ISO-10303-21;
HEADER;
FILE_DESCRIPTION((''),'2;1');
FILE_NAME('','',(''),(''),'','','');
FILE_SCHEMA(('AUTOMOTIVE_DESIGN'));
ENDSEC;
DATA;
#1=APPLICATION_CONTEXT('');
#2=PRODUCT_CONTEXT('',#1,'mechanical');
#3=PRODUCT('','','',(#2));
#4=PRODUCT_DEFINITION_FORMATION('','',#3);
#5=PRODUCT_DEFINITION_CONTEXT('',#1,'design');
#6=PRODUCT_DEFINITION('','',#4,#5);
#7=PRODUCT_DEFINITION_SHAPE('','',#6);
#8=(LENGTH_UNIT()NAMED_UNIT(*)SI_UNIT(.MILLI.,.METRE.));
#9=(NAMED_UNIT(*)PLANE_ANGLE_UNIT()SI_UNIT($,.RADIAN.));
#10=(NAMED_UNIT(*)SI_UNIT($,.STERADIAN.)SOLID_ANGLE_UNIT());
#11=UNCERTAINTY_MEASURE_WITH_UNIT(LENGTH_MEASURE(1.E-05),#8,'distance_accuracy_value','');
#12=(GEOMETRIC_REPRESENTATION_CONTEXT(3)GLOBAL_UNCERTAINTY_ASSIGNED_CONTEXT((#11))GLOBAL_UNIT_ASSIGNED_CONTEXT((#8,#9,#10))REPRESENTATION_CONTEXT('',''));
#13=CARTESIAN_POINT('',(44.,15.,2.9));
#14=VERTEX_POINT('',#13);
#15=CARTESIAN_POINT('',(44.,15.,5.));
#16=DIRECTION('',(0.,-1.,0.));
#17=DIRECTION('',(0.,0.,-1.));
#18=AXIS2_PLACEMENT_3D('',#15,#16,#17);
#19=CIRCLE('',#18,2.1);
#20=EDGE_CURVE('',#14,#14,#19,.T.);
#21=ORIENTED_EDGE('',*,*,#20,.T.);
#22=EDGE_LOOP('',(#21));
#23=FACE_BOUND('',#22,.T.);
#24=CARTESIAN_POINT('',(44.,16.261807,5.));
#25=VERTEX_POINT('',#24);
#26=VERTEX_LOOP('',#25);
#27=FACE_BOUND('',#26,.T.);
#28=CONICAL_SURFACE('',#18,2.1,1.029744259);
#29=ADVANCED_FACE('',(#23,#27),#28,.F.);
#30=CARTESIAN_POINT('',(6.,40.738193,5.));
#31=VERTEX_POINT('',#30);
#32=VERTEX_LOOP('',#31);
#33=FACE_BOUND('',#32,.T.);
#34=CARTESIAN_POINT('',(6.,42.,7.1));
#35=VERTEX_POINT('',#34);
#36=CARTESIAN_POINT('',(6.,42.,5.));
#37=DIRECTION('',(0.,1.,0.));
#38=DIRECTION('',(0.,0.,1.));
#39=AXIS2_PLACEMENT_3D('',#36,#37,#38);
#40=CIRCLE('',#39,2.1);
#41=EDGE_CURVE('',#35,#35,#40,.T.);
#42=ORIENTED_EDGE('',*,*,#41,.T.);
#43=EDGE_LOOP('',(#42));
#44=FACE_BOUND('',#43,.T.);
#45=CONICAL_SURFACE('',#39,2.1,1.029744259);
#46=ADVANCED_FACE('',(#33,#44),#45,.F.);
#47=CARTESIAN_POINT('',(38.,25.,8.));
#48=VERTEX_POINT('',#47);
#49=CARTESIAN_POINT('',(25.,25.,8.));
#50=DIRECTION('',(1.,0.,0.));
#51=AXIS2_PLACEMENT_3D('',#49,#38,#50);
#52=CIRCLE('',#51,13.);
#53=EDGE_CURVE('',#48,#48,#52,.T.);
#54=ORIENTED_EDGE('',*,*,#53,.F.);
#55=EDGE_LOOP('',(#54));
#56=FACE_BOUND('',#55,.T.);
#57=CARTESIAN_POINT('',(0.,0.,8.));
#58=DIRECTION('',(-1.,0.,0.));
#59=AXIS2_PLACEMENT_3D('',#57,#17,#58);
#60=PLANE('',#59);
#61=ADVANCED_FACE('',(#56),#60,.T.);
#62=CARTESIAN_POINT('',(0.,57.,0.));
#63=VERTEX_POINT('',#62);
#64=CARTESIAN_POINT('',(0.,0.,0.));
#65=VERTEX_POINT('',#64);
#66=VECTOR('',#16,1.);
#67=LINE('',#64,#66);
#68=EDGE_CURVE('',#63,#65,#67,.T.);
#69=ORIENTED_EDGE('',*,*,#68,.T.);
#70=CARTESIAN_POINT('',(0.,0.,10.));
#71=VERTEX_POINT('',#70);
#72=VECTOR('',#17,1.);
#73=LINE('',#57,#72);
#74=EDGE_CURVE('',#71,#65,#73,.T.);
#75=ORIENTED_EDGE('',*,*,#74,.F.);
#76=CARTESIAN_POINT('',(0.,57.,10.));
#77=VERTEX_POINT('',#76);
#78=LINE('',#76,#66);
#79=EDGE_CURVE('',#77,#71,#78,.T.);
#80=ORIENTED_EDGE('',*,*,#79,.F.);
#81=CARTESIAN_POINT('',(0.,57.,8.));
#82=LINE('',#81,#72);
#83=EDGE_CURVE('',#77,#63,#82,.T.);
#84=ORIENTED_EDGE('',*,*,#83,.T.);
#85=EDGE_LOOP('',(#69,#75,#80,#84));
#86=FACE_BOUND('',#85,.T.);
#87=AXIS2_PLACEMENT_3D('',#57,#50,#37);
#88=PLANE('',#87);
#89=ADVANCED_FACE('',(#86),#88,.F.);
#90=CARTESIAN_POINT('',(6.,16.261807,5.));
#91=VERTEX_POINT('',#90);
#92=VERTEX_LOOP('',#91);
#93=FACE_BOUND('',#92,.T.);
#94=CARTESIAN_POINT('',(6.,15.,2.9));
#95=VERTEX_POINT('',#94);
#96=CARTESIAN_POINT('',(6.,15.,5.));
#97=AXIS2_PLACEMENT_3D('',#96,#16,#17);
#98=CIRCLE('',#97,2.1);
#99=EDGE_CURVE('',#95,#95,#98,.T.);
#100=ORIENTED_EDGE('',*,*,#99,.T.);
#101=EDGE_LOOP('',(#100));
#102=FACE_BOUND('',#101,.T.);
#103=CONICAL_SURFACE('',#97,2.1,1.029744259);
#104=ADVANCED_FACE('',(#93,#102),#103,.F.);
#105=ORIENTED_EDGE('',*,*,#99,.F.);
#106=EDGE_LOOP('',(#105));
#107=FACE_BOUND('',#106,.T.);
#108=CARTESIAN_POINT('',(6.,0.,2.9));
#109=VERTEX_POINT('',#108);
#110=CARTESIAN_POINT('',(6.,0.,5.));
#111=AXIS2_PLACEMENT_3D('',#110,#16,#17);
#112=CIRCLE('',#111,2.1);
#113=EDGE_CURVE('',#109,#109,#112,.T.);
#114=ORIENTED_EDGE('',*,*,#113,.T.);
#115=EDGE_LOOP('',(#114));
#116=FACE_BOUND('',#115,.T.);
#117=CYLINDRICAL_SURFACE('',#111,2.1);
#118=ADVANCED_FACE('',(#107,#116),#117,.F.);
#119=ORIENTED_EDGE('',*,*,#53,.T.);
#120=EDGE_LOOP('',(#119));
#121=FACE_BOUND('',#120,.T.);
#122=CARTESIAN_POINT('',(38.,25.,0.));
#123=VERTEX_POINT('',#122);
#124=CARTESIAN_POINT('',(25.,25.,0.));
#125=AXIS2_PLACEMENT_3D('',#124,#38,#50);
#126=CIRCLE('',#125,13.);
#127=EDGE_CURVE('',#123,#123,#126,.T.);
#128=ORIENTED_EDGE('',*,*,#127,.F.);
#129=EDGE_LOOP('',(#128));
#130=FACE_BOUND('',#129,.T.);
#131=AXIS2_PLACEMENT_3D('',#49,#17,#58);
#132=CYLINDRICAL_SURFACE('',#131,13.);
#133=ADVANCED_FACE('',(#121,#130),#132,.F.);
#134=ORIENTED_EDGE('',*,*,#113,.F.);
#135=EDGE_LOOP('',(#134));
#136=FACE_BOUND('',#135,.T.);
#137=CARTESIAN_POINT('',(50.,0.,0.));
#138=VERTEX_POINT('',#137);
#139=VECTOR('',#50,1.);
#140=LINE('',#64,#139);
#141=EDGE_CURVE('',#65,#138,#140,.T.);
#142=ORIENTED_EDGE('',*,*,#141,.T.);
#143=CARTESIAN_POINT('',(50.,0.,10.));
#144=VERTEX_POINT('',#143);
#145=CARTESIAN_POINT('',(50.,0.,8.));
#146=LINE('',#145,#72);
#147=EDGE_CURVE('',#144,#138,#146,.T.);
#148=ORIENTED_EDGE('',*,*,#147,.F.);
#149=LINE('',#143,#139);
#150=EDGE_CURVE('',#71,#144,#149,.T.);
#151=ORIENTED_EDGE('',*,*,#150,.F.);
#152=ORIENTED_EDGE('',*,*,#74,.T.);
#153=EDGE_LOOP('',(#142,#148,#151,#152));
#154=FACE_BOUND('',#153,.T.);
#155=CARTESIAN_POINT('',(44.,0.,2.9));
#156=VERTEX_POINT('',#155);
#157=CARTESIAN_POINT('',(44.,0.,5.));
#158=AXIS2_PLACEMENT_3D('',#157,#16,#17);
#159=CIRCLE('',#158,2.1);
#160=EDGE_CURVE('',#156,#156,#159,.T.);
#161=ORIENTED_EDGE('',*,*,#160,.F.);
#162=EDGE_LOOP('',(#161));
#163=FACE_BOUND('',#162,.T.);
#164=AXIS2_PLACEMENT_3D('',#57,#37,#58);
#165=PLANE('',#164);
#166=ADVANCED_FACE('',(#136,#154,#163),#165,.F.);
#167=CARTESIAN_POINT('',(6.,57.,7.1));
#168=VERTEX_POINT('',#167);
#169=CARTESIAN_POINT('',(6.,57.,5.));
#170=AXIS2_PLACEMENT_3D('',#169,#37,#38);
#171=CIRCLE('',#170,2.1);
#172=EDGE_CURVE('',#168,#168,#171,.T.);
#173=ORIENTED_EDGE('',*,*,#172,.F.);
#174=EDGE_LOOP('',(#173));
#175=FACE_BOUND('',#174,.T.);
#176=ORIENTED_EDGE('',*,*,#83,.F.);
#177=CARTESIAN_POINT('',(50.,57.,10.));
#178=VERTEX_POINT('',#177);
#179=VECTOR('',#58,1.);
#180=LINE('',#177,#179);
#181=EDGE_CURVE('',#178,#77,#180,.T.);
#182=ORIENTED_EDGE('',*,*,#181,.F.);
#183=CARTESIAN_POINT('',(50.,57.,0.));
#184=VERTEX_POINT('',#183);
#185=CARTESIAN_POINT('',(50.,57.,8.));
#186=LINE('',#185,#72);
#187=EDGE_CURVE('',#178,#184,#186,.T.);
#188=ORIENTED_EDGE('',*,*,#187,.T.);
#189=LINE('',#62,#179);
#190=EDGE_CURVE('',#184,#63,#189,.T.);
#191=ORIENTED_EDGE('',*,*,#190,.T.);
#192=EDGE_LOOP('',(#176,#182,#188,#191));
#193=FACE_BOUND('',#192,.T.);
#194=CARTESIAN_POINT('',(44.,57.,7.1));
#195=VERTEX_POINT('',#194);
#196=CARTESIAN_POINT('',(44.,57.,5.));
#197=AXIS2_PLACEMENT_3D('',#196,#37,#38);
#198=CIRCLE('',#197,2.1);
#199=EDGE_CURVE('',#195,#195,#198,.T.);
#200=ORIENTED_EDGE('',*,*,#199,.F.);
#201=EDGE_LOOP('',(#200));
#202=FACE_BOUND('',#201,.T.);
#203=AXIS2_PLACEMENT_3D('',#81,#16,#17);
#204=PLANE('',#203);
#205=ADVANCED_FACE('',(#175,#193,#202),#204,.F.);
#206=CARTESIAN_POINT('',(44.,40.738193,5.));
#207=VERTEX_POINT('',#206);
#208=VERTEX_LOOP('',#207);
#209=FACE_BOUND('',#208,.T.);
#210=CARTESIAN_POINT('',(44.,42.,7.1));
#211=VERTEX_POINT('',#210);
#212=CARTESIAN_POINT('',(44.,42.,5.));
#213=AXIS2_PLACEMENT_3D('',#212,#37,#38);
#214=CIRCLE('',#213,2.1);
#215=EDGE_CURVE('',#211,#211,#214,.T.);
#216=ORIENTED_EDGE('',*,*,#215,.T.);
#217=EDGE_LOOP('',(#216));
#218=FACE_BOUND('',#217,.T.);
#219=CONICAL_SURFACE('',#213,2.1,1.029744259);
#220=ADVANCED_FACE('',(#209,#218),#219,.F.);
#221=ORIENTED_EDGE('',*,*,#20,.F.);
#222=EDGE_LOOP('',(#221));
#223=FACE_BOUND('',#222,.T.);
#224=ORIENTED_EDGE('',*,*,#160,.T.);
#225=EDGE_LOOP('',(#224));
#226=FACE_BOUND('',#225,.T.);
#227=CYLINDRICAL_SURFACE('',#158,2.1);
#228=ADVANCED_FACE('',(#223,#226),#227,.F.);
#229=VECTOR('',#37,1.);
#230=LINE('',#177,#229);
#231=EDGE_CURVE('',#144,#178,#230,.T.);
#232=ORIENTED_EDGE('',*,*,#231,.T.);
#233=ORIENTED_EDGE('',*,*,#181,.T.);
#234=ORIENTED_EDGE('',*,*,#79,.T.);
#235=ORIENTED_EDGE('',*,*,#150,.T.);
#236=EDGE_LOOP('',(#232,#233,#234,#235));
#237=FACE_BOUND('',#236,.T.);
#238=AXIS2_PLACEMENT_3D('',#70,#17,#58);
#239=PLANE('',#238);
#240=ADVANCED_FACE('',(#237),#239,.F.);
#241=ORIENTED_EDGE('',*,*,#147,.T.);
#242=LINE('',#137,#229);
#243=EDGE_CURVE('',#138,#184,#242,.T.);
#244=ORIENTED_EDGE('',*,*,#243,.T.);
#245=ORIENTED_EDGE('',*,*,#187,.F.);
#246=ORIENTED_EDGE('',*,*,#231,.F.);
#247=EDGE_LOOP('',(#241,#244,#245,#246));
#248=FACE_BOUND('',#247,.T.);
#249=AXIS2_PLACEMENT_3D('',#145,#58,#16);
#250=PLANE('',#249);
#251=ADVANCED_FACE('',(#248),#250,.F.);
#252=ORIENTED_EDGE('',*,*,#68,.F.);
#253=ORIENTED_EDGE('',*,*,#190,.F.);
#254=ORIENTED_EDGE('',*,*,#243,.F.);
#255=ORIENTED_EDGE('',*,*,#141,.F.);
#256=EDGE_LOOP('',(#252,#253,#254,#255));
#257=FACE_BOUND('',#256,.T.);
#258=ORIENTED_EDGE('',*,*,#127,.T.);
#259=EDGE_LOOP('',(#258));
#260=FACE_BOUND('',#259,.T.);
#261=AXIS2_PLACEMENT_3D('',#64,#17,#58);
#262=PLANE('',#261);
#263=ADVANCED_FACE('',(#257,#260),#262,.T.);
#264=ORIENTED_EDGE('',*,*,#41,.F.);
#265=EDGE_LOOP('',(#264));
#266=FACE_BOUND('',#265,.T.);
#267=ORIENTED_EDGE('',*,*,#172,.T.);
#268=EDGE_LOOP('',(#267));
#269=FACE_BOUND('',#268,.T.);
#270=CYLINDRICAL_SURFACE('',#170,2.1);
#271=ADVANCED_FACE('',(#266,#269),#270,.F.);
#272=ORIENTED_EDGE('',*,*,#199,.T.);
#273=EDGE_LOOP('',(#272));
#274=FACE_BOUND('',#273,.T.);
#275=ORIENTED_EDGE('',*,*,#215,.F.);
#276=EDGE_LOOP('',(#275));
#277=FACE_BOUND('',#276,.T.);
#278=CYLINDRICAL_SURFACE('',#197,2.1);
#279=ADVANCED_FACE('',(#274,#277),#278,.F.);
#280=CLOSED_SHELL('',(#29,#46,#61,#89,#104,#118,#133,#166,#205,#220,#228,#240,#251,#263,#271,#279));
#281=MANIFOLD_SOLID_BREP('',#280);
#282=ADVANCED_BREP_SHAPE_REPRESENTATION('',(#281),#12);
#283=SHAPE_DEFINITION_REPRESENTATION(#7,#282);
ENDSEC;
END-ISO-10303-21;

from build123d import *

# Parameters (mm, degrees)
ESBO_O1_W                                   = 50
ESBO_O1_H                                   = 57
ESBO_O1_R                                   = 13
RESSALTO_EXTRUS_O1_DEPTH                    = 8
ESBO_O3_W                                   = 50
ESBO_O3_H                                   = 57
RESSALTO_EXTRUS_O2_DEPTH                    = 2
BROCA_DE_ROSQUEAR_PARA_TARRAXA_DE_M51_D     = 4.2
BROCA_DE_ROSQUEAR_PARA_TARRAXA_DE_M51_DEPTH = 15
BROCA_DE_ROSQUEAR_PARA_TARRAXA_DE_M51_TIP   = 1.2618073
BROCA_DE_ROSQUEAR_PARA_TARRAXA_DE_M52_D     = 4.2
BROCA_DE_ROSQUEAR_PARA_TARRAXA_DE_M52_DEPTH = 15
BROCA_DE_ROSQUEAR_PARA_TARRAXA_DE_M52_TIP   = 1.2618073


with BuildPart() as part:
    # Esboço1 → Ressalto-extrusão1 (new body)
    with BuildSketch(Plane.XY):
        with Locations((25, 28.5)):
            Rectangle(ESBO_O1_W, ESBO_O1_H)
        with Locations((25, 25)):
            Circle(ESBO_O1_R, mode=Mode.SUBTRACT)
    extrude(amount=RESSALTO_EXTRUS_O1_DEPTH)

    # Esboço3 → Ressalto-extrusão2 (add)
    with BuildSketch(Plane.XY.offset(8)):
        with Locations((25, 28.5)):
            Rectangle(ESBO_O3_W, ESBO_O3_H)
    extrude(amount=RESSALTO_EXTRUS_O2_DEPTH)

    # Broca de rosquear para tarraxa de M51
    with Locations(Plane(origin=(0, 0, 0), x_dir=(-1, 0, 0), z_dir=(0, -1, 0))):
        with Locations((-6, -5), (-44, -5)):
            Hole(BROCA_DE_ROSQUEAR_PARA_TARRAXA_DE_M51_D / 2, depth=BROCA_DE_ROSQUEAR_PARA_TARRAXA_DE_M51_DEPTH)
            with Locations((0, 0, -(BROCA_DE_ROSQUEAR_PARA_TARRAXA_DE_M51_DEPTH + BROCA_DE_ROSQUEAR_PARA_TARRAXA_DE_M51_TIP / 2))):  # 118° drill point
                Cone(0, BROCA_DE_ROSQUEAR_PARA_TARRAXA_DE_M51_D / 2, BROCA_DE_ROSQUEAR_PARA_TARRAXA_DE_M51_TIP, mode=Mode.SUBTRACT)

    # Broca de rosquear para tarraxa de M52
    with Locations(Plane(origin=(0, 57, 0), x_dir=(1, 0, 0), z_dir=(0, 1, 0))):
        with Locations((6, -5), (44, -5)):
            Hole(BROCA_DE_ROSQUEAR_PARA_TARRAXA_DE_M52_D / 2, depth=BROCA_DE_ROSQUEAR_PARA_TARRAXA_DE_M52_DEPTH)
            with Locations((0, 0, -(BROCA_DE_ROSQUEAR_PARA_TARRAXA_DE_M52_DEPTH + BROCA_DE_ROSQUEAR_PARA_TARRAXA_DE_M52_TIP / 2))):  # 118° drill point
                Cone(0, BROCA_DE_ROSQUEAR_PARA_TARRAXA_DE_M52_D / 2, BROCA_DE_ROSQUEAR_PARA_TARRAXA_DE_M52_TIP, mode=Mode.SUBTRACT)


solid = part.part
